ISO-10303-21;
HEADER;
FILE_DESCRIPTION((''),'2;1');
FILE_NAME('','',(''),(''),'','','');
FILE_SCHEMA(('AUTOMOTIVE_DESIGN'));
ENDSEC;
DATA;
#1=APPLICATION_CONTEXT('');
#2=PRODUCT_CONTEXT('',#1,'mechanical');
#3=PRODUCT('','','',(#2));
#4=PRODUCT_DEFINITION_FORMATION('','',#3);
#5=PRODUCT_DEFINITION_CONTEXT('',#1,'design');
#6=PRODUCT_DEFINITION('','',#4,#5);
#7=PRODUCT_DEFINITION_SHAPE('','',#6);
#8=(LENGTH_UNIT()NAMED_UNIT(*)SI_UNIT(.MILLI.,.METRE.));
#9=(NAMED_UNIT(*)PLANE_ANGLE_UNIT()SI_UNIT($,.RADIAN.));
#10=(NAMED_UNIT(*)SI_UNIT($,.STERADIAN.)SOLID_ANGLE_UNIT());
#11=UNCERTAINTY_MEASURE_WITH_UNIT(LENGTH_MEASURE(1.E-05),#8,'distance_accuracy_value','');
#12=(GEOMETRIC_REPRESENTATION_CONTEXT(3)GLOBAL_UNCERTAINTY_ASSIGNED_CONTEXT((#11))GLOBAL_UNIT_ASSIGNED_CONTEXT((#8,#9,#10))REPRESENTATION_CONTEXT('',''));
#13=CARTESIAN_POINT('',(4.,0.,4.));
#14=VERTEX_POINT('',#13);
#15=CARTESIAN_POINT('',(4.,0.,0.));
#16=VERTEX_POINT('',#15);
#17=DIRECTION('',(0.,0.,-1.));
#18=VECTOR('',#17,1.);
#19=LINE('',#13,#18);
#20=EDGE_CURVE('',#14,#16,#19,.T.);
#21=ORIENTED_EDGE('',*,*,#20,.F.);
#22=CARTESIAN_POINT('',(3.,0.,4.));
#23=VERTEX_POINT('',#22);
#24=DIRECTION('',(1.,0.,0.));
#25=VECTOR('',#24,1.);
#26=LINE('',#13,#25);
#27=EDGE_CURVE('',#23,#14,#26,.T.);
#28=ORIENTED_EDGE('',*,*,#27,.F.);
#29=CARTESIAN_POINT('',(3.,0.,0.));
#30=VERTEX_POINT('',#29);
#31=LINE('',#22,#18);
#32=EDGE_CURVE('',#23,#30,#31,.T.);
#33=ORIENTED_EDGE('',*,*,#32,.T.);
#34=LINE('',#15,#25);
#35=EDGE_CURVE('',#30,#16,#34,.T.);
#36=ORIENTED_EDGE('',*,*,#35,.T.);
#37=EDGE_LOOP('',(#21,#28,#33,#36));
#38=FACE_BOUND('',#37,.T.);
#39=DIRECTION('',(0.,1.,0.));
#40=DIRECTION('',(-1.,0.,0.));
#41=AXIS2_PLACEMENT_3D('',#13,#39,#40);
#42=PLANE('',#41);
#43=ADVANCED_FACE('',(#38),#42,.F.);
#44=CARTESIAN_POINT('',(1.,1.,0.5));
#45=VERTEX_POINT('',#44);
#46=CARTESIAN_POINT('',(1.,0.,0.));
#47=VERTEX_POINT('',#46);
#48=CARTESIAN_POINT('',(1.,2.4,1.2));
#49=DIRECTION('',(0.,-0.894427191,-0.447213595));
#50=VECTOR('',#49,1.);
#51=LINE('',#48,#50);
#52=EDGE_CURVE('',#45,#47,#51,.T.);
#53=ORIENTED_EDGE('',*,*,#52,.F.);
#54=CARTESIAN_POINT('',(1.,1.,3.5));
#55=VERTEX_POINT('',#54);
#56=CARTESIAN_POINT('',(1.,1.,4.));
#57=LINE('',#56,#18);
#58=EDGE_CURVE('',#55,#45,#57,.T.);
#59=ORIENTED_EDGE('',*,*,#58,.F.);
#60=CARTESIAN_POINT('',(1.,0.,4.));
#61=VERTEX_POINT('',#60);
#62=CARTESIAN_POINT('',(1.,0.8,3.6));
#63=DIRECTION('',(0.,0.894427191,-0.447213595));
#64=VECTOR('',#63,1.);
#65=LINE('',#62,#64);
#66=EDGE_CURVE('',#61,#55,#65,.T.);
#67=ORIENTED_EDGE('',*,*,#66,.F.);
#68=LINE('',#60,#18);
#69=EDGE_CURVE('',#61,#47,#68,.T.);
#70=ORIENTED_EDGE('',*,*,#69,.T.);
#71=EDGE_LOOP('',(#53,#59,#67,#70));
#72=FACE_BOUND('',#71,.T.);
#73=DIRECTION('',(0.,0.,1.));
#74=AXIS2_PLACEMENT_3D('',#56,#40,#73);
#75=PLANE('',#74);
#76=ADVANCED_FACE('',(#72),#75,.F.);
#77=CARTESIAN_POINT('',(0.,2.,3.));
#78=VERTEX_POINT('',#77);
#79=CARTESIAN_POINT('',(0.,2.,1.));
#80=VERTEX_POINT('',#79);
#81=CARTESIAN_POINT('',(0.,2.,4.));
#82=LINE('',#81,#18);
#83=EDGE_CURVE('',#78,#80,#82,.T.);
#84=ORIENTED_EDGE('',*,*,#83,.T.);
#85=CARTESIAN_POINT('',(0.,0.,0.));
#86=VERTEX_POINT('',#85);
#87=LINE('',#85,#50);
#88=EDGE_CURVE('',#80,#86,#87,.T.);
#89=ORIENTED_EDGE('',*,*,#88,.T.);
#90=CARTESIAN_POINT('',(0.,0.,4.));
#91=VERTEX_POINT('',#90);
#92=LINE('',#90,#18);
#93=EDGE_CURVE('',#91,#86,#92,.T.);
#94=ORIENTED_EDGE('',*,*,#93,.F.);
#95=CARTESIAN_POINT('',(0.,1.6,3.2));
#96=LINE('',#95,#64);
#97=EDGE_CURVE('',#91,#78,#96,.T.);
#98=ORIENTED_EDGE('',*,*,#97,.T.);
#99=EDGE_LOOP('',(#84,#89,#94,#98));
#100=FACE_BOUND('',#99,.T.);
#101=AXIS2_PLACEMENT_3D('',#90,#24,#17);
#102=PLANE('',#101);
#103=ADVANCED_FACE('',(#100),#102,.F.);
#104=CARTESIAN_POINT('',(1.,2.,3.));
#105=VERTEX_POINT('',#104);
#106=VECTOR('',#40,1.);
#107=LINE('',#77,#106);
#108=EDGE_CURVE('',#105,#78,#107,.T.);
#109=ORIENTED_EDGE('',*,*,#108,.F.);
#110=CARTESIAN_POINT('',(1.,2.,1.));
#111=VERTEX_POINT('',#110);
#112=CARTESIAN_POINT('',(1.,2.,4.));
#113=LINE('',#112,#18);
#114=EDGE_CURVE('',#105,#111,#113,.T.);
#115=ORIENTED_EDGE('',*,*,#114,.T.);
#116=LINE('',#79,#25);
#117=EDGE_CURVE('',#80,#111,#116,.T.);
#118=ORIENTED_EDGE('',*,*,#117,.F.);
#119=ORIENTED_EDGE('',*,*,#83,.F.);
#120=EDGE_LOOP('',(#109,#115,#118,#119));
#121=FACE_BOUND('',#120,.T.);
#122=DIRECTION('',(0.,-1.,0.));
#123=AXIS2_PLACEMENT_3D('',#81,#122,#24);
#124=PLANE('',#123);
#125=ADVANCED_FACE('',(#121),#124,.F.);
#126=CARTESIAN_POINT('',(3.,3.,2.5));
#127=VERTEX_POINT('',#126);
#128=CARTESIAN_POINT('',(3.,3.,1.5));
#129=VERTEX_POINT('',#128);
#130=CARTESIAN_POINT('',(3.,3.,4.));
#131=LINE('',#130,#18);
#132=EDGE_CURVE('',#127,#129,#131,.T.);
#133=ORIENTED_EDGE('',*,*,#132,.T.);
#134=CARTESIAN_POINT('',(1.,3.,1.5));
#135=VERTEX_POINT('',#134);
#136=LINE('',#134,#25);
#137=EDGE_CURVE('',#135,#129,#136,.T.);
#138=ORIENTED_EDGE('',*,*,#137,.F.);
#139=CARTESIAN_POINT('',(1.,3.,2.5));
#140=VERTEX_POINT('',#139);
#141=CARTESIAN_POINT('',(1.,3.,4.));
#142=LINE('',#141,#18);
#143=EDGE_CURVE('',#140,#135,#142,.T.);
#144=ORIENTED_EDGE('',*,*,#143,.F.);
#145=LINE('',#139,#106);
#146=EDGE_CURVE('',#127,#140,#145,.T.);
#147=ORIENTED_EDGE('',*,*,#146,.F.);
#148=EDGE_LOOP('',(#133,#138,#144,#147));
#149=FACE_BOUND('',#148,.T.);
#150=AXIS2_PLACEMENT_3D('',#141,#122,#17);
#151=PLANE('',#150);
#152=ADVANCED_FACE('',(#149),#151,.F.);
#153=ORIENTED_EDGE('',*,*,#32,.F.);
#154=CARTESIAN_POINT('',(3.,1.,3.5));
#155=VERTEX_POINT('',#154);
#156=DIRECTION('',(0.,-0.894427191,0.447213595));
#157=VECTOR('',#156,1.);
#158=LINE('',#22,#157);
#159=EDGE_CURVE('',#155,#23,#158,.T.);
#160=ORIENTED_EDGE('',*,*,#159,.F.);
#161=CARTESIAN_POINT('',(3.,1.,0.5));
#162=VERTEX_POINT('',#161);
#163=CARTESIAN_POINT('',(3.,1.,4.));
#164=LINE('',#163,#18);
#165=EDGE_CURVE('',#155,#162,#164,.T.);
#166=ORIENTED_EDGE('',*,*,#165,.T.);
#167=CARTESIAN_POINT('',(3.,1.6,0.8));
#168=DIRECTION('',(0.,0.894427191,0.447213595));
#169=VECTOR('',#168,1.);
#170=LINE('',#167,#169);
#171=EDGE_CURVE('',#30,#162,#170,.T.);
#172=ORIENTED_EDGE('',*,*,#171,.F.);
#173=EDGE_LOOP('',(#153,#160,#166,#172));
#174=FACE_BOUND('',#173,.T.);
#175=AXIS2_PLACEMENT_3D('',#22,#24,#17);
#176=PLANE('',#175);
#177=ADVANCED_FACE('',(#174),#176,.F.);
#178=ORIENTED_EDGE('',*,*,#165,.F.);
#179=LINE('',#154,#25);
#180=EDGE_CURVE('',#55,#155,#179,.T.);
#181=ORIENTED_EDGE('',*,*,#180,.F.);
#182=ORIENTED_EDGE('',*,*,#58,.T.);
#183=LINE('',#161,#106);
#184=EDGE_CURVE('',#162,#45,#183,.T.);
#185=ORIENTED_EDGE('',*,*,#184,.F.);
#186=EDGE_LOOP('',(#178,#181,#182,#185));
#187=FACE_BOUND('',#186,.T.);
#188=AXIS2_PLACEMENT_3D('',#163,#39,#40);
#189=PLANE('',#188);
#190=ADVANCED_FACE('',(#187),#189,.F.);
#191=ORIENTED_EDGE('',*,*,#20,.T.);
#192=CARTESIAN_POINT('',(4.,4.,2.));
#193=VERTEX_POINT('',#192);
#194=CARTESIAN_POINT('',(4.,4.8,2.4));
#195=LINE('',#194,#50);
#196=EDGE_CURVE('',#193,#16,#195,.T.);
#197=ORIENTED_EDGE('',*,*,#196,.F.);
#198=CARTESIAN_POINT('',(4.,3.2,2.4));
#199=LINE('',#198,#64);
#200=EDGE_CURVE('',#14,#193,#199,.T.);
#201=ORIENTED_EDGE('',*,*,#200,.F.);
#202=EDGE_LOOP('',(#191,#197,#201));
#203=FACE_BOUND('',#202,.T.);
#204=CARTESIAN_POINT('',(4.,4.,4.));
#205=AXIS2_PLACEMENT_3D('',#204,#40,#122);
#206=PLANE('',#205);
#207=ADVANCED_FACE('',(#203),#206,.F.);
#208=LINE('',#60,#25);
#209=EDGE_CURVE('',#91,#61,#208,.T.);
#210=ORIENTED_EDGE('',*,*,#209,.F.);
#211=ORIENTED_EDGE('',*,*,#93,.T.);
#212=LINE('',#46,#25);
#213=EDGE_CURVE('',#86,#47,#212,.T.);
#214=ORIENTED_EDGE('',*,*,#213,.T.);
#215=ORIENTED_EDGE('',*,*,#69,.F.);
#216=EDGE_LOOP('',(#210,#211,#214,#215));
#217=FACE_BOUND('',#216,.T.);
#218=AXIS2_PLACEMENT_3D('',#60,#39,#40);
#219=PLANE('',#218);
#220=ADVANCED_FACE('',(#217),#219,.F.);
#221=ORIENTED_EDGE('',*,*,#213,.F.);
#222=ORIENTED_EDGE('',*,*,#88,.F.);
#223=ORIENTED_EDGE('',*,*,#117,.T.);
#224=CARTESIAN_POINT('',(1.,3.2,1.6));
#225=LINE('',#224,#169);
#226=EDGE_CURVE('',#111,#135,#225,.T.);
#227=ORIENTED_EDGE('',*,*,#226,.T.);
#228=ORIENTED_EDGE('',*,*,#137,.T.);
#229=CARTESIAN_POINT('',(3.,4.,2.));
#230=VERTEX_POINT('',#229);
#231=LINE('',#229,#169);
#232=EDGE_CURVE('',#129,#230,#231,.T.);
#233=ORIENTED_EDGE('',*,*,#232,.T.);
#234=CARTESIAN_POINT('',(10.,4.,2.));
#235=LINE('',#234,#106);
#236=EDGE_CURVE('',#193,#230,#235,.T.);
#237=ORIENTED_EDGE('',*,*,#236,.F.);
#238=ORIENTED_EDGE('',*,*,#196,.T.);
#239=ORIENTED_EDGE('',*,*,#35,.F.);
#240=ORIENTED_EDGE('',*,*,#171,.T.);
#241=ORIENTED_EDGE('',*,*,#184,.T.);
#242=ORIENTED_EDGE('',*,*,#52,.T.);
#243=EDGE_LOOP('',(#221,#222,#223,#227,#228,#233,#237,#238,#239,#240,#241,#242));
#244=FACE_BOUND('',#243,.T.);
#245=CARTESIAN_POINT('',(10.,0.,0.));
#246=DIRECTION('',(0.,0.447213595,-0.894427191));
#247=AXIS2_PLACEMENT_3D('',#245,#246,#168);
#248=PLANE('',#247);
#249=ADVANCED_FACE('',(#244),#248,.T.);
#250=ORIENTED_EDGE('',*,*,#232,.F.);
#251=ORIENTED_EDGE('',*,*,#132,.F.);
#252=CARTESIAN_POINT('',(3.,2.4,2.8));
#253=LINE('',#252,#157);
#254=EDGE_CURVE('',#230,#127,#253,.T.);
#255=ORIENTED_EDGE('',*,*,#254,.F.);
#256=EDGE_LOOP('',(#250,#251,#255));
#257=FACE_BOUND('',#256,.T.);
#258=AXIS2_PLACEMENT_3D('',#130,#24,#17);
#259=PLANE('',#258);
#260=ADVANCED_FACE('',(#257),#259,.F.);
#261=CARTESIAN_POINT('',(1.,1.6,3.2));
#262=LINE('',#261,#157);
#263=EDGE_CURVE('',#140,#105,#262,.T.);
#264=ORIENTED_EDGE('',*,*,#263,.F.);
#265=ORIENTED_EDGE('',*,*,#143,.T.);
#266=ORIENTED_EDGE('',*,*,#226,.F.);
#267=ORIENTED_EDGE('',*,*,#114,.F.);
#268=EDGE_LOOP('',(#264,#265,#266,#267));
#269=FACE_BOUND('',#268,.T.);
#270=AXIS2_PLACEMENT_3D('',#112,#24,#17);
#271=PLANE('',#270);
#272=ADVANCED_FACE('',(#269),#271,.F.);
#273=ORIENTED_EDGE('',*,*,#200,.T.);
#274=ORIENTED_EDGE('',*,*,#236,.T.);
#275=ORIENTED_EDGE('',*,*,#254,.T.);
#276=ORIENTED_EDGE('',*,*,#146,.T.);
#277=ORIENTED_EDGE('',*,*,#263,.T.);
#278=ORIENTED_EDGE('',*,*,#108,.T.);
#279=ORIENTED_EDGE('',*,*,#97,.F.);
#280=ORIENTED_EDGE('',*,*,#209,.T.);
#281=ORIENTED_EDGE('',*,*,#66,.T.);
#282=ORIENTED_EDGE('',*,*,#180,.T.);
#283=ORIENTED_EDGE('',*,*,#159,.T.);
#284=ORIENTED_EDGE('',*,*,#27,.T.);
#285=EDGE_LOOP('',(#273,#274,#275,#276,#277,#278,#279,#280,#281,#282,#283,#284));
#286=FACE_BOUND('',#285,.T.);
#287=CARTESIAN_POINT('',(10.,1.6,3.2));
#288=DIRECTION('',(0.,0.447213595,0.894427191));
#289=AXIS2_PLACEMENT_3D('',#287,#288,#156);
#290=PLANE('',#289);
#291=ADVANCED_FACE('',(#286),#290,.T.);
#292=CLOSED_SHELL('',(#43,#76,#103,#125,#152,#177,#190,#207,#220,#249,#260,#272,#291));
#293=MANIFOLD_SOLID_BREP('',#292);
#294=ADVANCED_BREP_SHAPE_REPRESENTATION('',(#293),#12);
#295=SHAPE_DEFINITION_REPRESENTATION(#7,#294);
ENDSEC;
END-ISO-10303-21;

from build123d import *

# Parameters (mm, degrees)
BOSS_EXTRUDE1_DEPTH = 4
CUT_EXTRUDE2_DEPTH  = 10


with BuildPart() as part:
    # Sketch1 → Boss-Extrude1 (new body)
    with BuildSketch(Plane.XY):
        Polygon((0, 0), (0, 2), (1, 2), (1, 3), (3, 3), (3, 4), (4, 4), (4, 0), (3, 0), (3, 1), (1, 1), (1, 0), align=None)
    extrude(amount=BOSS_EXTRUDE1_DEPTH)

    # Sketch3 → Cut-Extrude2 (cut)
    with BuildSketch(Plane.ZY):
        Polygon((1, 2), (2, 4), (0, 4), (0, 2), align=None)
        Polygon((0, 0), (1, 2), (0, 2), align=None)
        Polygon((2, 4), (3, 2), (4, 2), (4, 4), align=None)
        Polygon((3, 2), (4, 0), (4, 2), align=None)
    extrude(amount=-CUT_EXTRUDE2_DEPTH, mode=Mode.SUBTRACT)


solid = part.part
